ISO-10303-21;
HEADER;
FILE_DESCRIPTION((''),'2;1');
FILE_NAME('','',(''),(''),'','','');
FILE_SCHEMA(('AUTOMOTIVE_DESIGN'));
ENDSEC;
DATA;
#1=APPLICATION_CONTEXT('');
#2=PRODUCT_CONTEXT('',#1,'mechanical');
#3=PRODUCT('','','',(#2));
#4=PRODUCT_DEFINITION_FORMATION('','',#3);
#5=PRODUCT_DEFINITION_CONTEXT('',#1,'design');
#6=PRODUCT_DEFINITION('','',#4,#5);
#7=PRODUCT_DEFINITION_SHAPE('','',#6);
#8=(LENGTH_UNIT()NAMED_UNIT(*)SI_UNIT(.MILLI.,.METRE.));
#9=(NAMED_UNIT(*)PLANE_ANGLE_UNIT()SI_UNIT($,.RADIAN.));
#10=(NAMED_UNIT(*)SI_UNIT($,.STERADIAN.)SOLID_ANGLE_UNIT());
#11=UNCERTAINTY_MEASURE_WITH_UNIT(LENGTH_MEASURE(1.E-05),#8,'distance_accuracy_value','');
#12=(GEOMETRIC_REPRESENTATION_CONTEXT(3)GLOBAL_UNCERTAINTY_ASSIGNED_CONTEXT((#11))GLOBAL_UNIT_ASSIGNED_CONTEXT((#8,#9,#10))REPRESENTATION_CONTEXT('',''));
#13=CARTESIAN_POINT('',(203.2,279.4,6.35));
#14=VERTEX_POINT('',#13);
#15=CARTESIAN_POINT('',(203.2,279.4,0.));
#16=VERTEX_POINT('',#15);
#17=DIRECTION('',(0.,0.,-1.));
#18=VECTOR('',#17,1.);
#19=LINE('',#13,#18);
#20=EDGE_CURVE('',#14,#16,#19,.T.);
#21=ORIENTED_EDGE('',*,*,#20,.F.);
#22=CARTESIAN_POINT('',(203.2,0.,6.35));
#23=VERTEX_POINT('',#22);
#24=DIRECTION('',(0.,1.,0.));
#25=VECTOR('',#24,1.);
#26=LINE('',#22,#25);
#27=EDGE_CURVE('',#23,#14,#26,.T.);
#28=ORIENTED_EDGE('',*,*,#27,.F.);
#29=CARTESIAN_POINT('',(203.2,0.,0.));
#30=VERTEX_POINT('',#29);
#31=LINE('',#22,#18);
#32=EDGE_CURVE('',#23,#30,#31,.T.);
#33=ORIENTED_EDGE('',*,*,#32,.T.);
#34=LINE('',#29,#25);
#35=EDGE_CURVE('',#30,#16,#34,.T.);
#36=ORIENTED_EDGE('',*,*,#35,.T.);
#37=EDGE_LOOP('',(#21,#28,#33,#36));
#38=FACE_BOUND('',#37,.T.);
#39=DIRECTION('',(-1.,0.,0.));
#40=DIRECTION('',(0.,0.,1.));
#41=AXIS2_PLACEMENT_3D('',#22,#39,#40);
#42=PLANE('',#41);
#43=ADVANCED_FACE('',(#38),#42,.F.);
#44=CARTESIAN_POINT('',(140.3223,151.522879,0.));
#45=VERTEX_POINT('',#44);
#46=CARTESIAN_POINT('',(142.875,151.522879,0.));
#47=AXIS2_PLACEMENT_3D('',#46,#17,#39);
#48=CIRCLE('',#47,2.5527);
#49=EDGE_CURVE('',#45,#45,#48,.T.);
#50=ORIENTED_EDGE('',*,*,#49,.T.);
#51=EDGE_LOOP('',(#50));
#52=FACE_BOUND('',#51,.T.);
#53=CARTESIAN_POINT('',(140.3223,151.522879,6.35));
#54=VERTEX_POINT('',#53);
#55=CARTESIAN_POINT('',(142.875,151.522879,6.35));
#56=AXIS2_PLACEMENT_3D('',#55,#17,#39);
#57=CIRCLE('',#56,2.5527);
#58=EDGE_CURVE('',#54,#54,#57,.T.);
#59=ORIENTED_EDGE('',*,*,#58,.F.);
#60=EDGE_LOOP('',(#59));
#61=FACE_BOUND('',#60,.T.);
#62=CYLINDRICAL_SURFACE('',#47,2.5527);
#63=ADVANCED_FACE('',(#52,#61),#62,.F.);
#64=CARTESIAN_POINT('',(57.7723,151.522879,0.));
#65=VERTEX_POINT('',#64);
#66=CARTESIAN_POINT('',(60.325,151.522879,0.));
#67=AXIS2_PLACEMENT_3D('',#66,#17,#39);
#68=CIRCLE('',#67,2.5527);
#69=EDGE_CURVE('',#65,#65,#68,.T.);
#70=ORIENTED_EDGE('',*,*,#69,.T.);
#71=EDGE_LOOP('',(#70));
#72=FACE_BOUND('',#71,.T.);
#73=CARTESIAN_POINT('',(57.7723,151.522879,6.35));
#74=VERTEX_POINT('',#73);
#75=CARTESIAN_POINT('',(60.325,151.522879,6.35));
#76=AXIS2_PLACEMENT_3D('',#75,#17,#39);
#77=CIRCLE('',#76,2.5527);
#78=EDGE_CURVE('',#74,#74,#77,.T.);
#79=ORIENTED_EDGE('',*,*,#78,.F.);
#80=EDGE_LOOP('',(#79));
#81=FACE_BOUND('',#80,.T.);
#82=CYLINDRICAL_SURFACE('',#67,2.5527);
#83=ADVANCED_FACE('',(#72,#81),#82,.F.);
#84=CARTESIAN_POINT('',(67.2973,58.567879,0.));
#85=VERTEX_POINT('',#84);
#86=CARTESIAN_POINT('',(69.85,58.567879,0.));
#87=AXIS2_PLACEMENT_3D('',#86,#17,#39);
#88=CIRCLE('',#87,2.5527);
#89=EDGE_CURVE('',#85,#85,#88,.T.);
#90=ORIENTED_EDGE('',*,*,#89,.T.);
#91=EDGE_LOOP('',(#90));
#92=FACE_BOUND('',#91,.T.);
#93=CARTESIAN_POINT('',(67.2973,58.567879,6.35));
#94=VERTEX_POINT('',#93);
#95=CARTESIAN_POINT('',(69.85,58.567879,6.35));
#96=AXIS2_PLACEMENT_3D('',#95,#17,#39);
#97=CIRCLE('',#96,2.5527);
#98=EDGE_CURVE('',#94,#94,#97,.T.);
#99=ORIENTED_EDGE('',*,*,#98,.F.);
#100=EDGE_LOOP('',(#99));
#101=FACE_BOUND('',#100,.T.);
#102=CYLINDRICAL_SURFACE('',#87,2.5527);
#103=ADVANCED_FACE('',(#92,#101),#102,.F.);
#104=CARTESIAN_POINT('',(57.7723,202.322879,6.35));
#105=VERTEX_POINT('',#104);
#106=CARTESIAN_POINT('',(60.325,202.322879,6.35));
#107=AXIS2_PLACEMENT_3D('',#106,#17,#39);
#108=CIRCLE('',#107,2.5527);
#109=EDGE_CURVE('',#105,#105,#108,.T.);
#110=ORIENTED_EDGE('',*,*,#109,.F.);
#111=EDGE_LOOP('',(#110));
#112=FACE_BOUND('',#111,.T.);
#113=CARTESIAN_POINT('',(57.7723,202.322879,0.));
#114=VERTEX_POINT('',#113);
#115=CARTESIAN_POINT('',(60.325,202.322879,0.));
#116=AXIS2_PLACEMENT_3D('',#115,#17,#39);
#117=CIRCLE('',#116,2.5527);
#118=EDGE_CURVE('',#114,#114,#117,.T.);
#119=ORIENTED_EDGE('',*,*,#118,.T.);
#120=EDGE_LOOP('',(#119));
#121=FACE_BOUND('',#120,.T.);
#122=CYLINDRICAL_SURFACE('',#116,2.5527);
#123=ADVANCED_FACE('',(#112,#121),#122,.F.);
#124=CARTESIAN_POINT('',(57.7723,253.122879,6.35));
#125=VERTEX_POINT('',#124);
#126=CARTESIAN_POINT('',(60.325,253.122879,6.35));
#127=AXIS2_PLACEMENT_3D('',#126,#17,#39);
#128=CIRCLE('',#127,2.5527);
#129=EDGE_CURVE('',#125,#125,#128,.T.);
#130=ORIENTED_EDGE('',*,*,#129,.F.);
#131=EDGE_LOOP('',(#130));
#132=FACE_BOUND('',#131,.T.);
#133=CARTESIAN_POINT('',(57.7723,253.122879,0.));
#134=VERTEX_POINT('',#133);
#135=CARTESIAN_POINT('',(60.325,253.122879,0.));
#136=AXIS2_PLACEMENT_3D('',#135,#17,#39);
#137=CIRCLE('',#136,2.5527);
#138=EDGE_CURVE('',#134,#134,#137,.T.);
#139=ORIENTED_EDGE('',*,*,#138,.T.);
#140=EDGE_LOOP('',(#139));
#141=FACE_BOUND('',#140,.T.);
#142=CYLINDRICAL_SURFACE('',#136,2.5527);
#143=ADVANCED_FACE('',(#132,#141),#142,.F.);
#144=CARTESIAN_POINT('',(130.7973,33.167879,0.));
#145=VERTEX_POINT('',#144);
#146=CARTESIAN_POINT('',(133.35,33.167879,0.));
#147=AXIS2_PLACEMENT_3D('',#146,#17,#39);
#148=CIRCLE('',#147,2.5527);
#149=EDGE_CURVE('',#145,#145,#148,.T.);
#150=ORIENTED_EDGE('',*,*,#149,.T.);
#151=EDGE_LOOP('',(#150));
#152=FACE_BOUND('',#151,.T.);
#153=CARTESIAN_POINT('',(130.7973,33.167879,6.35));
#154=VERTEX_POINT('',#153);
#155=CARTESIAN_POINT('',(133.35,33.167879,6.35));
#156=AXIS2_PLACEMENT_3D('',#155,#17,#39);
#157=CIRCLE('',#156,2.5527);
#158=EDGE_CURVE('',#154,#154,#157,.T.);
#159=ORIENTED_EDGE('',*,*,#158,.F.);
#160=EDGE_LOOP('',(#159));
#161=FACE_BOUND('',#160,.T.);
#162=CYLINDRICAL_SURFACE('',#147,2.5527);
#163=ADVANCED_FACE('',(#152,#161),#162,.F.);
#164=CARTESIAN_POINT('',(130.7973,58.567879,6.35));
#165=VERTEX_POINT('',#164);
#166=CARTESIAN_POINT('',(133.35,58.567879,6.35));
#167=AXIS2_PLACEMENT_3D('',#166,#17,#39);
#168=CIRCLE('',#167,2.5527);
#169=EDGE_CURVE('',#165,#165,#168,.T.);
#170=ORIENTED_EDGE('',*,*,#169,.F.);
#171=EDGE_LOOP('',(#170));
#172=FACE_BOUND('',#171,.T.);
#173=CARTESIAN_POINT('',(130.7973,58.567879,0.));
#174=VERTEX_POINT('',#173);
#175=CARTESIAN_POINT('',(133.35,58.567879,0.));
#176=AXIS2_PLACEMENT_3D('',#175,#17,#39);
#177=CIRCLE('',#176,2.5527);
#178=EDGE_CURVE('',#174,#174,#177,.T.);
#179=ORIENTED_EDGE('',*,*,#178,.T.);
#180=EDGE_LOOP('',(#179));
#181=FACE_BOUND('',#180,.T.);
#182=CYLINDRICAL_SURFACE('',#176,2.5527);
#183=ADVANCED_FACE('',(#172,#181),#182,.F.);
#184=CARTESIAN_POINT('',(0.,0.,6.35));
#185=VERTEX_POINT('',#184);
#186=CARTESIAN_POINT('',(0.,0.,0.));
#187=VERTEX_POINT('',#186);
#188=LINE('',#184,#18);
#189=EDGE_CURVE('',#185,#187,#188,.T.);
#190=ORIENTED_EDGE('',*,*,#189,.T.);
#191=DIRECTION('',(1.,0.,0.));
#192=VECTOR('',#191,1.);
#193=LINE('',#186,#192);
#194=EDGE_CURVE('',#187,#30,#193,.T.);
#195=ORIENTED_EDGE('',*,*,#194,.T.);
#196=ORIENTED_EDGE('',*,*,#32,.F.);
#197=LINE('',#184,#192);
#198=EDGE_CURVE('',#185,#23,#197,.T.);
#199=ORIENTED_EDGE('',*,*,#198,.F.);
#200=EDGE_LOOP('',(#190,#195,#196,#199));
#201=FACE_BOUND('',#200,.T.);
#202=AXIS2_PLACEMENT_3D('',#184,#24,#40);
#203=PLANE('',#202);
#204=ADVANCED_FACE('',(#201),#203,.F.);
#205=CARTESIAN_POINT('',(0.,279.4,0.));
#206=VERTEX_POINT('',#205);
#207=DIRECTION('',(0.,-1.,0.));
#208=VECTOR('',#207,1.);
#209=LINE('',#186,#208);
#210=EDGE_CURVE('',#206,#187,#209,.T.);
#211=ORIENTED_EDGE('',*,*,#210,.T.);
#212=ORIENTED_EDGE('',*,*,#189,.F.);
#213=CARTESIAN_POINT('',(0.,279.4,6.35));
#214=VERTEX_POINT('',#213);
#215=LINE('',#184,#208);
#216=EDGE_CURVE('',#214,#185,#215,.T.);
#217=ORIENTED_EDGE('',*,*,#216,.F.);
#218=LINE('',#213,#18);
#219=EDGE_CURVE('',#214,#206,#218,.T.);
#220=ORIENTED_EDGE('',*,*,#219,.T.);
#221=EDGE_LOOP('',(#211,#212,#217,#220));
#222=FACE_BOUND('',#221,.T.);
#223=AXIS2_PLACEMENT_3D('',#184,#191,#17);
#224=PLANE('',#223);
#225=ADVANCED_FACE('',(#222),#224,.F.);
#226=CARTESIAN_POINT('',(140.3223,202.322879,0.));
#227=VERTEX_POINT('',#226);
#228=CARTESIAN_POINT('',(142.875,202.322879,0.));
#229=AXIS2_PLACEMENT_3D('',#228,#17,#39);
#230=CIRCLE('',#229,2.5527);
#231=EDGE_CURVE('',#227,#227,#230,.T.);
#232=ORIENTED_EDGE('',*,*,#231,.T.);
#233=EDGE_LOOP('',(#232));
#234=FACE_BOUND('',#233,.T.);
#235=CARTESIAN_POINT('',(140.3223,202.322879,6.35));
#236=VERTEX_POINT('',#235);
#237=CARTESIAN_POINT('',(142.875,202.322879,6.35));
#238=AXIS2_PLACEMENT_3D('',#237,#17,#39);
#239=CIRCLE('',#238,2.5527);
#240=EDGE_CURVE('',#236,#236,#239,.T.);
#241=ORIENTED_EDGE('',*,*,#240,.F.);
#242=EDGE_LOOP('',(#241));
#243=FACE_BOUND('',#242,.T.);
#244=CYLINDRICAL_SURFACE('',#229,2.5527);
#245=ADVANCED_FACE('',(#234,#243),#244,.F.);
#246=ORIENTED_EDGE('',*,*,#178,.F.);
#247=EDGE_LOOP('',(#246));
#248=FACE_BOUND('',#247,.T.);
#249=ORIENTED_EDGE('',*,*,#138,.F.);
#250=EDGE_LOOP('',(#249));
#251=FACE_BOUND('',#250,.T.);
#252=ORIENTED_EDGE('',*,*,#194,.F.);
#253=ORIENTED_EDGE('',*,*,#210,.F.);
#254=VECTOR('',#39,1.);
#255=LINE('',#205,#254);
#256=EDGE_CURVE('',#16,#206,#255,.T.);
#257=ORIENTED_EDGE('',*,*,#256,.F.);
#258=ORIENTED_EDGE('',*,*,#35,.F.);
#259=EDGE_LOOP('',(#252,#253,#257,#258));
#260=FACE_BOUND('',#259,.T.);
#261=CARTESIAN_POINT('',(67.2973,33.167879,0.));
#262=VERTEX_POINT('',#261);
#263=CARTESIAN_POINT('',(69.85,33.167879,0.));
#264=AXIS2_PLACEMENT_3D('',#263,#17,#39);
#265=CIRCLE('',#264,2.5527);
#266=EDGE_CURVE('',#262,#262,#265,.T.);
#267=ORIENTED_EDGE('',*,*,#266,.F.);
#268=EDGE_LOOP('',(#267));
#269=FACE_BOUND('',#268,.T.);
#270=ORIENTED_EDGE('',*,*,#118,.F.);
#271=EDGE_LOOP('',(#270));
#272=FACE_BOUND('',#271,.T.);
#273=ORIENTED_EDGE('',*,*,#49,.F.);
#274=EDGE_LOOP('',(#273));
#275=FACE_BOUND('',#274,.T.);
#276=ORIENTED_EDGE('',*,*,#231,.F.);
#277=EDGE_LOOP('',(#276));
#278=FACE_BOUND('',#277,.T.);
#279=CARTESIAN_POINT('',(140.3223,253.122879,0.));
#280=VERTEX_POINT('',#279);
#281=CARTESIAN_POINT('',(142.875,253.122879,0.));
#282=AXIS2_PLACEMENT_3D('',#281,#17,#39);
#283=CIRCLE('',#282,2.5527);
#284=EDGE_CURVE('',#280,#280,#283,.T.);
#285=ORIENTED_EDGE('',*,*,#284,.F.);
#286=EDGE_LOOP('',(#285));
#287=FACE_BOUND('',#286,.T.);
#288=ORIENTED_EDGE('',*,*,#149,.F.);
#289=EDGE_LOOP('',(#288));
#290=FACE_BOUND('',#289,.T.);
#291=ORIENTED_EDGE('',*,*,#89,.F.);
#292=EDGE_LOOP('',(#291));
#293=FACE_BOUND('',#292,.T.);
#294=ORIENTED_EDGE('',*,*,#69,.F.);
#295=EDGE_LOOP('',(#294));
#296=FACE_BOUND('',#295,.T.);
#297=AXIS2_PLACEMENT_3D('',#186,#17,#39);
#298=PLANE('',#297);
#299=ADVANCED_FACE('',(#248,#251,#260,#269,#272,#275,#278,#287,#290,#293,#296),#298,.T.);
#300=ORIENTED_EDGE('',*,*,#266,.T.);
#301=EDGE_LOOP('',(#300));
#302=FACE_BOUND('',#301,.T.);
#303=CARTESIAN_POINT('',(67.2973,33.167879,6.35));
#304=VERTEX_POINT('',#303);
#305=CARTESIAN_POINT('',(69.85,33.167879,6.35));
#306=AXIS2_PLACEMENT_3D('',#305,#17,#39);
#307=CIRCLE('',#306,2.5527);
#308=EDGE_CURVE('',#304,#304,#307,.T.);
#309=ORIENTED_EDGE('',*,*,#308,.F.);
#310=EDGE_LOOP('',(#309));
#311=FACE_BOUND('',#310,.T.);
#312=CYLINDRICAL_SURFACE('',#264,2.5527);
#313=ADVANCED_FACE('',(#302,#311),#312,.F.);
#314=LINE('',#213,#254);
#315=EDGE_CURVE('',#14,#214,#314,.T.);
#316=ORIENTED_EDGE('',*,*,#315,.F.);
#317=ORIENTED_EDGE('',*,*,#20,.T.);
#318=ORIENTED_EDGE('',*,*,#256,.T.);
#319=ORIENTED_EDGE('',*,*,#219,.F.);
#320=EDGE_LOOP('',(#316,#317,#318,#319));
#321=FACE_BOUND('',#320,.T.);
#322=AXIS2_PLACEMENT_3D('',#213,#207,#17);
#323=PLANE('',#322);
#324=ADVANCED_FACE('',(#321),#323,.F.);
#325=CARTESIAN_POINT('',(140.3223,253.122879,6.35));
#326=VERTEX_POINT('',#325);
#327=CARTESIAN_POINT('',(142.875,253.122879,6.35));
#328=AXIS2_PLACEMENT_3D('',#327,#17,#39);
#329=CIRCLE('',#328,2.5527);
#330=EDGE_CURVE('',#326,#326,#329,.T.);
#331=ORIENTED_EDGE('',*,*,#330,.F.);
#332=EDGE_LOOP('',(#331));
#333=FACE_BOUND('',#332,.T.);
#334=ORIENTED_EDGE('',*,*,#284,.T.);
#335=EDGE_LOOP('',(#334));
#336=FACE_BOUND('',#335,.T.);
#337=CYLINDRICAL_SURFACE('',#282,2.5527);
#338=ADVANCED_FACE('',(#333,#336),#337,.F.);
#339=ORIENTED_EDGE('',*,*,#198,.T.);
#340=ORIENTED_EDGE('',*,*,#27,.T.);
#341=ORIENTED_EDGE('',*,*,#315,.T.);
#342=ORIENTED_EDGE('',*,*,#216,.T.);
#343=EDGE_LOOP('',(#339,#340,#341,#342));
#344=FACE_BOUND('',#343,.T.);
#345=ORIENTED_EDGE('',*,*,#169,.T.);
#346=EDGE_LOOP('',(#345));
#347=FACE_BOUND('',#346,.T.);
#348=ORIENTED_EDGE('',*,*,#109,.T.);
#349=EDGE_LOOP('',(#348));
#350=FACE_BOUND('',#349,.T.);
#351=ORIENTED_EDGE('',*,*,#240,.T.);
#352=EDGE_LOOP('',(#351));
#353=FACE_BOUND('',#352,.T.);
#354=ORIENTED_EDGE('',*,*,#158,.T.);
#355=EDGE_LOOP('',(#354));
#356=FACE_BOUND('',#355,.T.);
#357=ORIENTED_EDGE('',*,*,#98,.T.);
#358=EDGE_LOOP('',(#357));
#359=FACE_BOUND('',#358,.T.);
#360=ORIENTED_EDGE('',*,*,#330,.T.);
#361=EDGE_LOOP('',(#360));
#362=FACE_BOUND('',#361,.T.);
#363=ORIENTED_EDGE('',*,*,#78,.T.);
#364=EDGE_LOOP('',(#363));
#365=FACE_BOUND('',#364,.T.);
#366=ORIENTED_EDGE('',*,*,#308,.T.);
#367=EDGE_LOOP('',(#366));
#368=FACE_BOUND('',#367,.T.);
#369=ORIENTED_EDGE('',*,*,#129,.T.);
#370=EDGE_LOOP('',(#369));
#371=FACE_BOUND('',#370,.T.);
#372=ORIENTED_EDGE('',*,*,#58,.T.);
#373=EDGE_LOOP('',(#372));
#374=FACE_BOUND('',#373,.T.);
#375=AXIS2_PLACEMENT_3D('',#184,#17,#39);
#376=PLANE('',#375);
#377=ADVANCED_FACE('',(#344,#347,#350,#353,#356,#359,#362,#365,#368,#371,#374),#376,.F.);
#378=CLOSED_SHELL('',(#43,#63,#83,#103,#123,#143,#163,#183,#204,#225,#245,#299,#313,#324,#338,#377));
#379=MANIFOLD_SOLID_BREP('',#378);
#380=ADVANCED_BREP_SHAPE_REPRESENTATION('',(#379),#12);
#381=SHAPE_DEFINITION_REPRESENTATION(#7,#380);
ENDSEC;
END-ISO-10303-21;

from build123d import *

# Parameters (mm, degrees)
SKETCH1_W                   = 203.2
SKETCH1_H                   = 279.4
BOSS_EXTRUDE1_DEPTH         = 6.35
F_1_4_20_TAPPED_HOLE1_D     = 5.1054
F_1_4_20_TAPPED_HOLE1_DEPTH = 8.81126
F_1_4_20_TAPPED_HOLE1_TIP   = 1.533816902


with BuildPart() as part:
    # Sketch1 → Boss-Extrude1 (new body)
    with BuildSketch(Plane.XY):
        with Locations((101.6, 139.7)):
            Rectangle(SKETCH1_W, SKETCH1_H)
    extrude(amount=BOSS_EXTRUDE1_DEPTH)

    # 1/4-20 Tapped Hole1
    with Locations(Plane(origin=(0, 0, 0), x_dir=(-1, 0, 0), z_dir=(0, 0, -1))):
        with Locations((-60.325, 253.122878716), (-142.875, 253.122878716), (-142.875, 202.322878716), (-142.875, 151.522878716), (-60.325, 151.522878716), (-60.325, 202.322878716), (-133.349999974, 58.567878716), (-133.349999974, 33.167878716), (-69.849999974, 33.167878716), (-69.849999974, 58.567878716)):
            Hole(F_1_4_20_TAPPED_HOLE1_D / 2, depth=F_1_4_20_TAPPED_HOLE1_DEPTH)
            with Locations((0, 0, -(F_1_4_20_TAPPED_HOLE1_DEPTH + F_1_4_20_TAPPED_HOLE1_TIP / 2))):  # 118° drill point
                Cone(0, F_1_4_20_TAPPED_HOLE1_D / 2, F_1_4_20_TAPPED_HOLE1_TIP, mode=Mode.SUBTRACT)


solid = part.part
